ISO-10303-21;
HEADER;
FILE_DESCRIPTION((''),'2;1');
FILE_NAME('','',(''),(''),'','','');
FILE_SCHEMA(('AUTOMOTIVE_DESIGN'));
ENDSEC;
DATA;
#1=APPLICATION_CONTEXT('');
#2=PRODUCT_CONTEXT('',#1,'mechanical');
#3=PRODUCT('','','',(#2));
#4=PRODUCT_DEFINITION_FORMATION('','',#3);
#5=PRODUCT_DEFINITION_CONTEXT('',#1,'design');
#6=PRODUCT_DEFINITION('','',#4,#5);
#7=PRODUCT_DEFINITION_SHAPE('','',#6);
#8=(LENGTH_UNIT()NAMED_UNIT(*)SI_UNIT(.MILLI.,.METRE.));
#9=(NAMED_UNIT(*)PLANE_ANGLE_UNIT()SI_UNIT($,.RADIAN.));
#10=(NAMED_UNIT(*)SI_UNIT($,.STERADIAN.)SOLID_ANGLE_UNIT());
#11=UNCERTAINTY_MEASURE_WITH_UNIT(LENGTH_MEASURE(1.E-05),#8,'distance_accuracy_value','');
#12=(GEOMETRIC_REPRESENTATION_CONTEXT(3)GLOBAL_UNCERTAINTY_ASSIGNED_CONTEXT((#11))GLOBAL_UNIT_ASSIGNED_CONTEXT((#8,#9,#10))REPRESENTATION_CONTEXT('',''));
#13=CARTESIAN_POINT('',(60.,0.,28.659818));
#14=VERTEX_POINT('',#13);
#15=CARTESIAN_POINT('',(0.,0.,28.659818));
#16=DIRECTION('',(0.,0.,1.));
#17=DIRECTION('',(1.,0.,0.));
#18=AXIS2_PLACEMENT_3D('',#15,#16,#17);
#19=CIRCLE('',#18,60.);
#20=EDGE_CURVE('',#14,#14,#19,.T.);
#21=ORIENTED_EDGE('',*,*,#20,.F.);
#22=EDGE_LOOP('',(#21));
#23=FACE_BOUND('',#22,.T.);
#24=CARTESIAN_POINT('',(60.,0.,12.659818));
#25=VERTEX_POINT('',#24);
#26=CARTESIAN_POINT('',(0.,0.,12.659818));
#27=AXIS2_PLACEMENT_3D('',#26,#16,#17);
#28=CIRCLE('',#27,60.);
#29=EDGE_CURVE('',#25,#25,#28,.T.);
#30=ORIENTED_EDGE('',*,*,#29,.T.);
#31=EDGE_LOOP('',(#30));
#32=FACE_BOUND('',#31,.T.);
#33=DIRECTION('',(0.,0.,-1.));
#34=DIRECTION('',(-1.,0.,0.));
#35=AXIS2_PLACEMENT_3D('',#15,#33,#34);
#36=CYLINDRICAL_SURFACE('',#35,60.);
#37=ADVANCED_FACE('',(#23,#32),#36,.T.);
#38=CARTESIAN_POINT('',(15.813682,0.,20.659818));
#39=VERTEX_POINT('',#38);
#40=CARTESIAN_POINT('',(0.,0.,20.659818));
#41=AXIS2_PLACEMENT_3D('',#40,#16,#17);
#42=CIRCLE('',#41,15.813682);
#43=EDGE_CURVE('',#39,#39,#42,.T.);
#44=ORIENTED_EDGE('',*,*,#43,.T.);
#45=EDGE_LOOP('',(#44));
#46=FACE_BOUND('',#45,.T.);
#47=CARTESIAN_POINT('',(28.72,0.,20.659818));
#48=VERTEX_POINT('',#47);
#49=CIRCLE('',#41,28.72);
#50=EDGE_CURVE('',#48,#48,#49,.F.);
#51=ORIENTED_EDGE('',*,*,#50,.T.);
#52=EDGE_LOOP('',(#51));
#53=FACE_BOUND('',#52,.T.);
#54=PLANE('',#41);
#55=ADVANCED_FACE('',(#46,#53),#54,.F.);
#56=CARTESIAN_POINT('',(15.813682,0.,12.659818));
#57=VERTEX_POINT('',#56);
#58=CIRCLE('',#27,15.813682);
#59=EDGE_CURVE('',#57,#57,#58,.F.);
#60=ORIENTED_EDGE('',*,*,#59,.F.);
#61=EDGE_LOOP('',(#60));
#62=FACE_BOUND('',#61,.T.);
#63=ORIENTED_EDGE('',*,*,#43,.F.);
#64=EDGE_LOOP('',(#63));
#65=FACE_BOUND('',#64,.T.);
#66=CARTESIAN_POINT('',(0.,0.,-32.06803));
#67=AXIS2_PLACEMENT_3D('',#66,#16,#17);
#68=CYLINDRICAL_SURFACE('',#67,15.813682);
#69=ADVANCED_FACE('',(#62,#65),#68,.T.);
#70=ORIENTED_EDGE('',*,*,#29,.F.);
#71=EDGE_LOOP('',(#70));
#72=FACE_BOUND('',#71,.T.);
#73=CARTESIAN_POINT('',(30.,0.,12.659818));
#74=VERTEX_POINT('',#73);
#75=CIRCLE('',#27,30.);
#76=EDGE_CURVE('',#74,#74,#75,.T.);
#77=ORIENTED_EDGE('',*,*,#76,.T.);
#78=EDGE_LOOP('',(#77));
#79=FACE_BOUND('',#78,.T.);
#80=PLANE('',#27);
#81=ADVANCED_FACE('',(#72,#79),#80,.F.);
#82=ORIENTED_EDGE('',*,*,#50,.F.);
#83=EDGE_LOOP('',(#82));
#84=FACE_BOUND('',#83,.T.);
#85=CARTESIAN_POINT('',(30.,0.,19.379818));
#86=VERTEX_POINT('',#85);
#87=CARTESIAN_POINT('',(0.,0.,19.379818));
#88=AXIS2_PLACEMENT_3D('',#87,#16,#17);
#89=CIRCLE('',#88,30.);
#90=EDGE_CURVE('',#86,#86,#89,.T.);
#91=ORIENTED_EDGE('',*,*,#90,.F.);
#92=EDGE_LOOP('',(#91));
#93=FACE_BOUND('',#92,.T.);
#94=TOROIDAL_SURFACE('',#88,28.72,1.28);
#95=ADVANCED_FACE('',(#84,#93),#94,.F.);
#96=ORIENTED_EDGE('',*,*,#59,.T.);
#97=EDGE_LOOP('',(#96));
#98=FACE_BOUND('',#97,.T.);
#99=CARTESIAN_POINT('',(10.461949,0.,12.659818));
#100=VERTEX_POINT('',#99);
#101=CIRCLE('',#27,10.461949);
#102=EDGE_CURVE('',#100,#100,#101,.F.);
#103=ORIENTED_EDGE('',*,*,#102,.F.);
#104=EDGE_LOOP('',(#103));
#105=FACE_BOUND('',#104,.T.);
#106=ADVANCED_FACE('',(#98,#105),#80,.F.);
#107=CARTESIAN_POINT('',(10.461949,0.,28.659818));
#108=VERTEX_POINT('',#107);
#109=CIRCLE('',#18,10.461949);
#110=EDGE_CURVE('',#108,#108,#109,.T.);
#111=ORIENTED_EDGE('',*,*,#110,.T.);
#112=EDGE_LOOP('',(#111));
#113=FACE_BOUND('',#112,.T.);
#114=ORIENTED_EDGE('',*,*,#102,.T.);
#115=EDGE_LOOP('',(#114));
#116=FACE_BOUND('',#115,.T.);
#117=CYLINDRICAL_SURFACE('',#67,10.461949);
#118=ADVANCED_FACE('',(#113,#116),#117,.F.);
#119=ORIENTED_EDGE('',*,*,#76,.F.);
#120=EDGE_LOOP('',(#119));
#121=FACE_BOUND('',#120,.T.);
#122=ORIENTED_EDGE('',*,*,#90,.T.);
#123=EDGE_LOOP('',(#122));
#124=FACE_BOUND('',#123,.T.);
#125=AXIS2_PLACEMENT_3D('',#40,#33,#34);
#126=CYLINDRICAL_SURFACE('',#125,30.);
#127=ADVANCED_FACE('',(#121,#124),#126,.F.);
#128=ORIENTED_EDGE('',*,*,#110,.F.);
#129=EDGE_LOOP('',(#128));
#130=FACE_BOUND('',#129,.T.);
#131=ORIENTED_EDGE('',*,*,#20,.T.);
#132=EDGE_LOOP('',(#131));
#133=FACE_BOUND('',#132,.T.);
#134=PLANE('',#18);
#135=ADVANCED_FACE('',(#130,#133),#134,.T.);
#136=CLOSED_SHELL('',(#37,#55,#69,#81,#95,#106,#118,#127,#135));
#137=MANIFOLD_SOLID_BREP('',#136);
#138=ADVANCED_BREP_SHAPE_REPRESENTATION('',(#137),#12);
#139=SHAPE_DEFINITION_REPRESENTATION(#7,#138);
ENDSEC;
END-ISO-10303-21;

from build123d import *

# Parameters (mm, degrees)
SKETCH_1_R          = 150
SKETCH_1_R_2        = 75
SKETCH_1_R_3        = 38.1
EXTRUDE_1_DEPTH     = 40
SKETCH_1_4_R        = 75
SKETCH_1_4_R_2      = 38.1
CUT_EXTRUDE_1_DEPTH = 20
FILLET_1_R          = 3.2
SCALE_1_SCALE       = 0.4
SKETCH_3_R          = 15.813682359
SKETCH_3_R_2        = 10.461949065
EXTRUDE_2_DEPTH     = 16


with BuildPart() as part:
    # 草图1 → 凸台-拉伸1 (new body)
    # profile 1 of 2: a face of its own
    with BuildSketch(Plane.XY):
        Circle(SKETCH_1_R)
        Circle(SKETCH_1_R_2, mode=Mode.SUBTRACT)
    # profile 2 of 2: a face of its own
    with BuildSketch(Plane.XY):
        Circle(SKETCH_1_R_2)
        Circle(SKETCH_1_R_3, mode=Mode.SUBTRACT)
    extrude(amount=EXTRUDE_1_DEPTH)

    # 草图1<4> → 切除-拉伸1 (cut)
    with BuildSketch(Plane.XY):
        Circle(SKETCH_1_4_R)
        Circle(SKETCH_1_4_R_2, mode=Mode.SUBTRACT)
    extrude(amount=CUT_EXTRUDE_1_DEPTH, mode=Mode.SUBTRACT)

    # 圆角1
    fillet_1_edges = [part.edges().sort_by_distance(p)[0] for p in [
        (-75, 0, 20),
    ]]
    fillet(fillet_1_edges, radius=FILLET_1_R)


with BuildPart() as part_1:
    # 缩放比例1: scaled about (0, 0, 21.099696872)
    add(part.part.scale(SCALE_1_SCALE).moved(Location((0, 0, 12.659818123))))

    # 草图3 → 凸台-拉伸2 (add)
    with BuildSketch(Plane.XY.offset(28.659818123)):
        Circle(SKETCH_3_R)
        Circle(SKETCH_3_R_2, mode=Mode.SUBTRACT)
    extrude(amount=-EXTRUDE_2_DEPTH)


solid = part_1.part
